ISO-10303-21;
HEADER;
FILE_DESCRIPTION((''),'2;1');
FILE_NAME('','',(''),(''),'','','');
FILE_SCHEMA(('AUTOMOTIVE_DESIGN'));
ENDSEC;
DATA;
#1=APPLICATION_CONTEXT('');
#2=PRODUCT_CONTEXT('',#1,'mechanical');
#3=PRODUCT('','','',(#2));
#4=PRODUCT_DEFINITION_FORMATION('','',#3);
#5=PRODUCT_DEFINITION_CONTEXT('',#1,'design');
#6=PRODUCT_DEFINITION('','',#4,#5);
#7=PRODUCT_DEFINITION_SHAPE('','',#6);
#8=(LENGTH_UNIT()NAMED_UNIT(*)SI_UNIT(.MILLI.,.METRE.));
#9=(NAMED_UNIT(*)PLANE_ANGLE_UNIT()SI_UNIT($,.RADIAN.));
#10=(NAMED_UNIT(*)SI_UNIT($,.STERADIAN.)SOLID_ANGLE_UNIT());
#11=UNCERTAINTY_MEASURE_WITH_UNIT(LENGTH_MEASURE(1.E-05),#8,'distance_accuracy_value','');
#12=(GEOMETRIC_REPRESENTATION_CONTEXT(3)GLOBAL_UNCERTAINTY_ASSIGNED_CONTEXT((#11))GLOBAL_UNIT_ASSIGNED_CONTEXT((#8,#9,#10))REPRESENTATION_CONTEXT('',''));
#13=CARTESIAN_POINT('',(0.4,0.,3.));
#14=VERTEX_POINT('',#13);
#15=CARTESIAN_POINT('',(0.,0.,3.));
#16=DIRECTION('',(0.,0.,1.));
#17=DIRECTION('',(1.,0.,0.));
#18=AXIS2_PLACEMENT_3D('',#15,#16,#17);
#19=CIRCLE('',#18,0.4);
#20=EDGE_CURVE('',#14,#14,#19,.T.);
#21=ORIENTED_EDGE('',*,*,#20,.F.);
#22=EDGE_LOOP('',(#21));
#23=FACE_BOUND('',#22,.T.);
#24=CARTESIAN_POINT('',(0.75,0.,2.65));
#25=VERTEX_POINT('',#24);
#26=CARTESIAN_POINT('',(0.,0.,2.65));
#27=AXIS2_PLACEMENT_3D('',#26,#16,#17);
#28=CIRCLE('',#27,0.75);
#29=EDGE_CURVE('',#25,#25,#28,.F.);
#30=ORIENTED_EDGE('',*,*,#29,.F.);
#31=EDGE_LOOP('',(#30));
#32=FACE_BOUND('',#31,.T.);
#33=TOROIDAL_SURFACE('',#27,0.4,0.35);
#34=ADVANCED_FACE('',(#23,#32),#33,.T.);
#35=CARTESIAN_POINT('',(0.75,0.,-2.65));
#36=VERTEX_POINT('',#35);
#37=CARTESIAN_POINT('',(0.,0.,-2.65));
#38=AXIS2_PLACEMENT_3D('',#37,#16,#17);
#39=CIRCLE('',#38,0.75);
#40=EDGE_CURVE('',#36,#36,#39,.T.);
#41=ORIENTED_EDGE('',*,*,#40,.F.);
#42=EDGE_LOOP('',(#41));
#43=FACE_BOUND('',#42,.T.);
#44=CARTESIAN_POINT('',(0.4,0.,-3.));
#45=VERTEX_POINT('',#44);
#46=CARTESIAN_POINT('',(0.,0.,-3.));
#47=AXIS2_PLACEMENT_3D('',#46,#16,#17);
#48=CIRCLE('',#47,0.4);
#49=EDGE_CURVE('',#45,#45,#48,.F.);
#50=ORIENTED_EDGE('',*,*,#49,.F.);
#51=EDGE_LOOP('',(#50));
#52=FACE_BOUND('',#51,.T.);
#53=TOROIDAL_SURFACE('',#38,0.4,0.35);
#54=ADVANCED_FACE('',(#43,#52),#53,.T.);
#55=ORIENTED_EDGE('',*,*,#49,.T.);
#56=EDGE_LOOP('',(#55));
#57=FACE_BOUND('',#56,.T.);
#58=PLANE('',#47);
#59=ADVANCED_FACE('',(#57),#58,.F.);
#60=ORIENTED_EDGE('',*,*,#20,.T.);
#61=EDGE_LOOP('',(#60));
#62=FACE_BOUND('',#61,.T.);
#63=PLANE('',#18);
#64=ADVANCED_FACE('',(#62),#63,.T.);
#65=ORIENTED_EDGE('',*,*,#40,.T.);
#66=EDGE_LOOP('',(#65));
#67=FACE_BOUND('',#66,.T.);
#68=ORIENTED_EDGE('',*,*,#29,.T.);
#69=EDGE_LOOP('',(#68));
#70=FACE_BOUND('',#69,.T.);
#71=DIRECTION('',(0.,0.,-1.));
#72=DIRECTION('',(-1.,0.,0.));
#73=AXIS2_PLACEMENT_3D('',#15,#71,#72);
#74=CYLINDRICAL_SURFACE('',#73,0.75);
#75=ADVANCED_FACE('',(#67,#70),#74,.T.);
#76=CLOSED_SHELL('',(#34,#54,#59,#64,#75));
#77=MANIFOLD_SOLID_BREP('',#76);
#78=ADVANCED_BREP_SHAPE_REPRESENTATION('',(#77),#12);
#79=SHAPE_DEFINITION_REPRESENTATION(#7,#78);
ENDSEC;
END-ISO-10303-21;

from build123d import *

# Parameters (mm, degrees)
SKETCH1_R           = 0.75
BOSS_EXTRUDE1_DEPTH = 3
FILLET1_R           = 0.35


with BuildPart() as part:
    # Sketch1 → Boss-Extrude1 (new body, symmetric)
    with BuildSketch(Plane.XY):
        Circle(SKETCH1_R)
    extrude(amount=BOSS_EXTRUDE1_DEPTH, both=True)

    # Fillet1
    fillet1_edges = [part.edges().sort_by_distance(p)[0] for p in [
        (-0.75, 0, -3),
        (-0.75, 0, 3),
    ]]
    fillet(fillet1_edges, radius=FILLET1_R)


solid = part.part
